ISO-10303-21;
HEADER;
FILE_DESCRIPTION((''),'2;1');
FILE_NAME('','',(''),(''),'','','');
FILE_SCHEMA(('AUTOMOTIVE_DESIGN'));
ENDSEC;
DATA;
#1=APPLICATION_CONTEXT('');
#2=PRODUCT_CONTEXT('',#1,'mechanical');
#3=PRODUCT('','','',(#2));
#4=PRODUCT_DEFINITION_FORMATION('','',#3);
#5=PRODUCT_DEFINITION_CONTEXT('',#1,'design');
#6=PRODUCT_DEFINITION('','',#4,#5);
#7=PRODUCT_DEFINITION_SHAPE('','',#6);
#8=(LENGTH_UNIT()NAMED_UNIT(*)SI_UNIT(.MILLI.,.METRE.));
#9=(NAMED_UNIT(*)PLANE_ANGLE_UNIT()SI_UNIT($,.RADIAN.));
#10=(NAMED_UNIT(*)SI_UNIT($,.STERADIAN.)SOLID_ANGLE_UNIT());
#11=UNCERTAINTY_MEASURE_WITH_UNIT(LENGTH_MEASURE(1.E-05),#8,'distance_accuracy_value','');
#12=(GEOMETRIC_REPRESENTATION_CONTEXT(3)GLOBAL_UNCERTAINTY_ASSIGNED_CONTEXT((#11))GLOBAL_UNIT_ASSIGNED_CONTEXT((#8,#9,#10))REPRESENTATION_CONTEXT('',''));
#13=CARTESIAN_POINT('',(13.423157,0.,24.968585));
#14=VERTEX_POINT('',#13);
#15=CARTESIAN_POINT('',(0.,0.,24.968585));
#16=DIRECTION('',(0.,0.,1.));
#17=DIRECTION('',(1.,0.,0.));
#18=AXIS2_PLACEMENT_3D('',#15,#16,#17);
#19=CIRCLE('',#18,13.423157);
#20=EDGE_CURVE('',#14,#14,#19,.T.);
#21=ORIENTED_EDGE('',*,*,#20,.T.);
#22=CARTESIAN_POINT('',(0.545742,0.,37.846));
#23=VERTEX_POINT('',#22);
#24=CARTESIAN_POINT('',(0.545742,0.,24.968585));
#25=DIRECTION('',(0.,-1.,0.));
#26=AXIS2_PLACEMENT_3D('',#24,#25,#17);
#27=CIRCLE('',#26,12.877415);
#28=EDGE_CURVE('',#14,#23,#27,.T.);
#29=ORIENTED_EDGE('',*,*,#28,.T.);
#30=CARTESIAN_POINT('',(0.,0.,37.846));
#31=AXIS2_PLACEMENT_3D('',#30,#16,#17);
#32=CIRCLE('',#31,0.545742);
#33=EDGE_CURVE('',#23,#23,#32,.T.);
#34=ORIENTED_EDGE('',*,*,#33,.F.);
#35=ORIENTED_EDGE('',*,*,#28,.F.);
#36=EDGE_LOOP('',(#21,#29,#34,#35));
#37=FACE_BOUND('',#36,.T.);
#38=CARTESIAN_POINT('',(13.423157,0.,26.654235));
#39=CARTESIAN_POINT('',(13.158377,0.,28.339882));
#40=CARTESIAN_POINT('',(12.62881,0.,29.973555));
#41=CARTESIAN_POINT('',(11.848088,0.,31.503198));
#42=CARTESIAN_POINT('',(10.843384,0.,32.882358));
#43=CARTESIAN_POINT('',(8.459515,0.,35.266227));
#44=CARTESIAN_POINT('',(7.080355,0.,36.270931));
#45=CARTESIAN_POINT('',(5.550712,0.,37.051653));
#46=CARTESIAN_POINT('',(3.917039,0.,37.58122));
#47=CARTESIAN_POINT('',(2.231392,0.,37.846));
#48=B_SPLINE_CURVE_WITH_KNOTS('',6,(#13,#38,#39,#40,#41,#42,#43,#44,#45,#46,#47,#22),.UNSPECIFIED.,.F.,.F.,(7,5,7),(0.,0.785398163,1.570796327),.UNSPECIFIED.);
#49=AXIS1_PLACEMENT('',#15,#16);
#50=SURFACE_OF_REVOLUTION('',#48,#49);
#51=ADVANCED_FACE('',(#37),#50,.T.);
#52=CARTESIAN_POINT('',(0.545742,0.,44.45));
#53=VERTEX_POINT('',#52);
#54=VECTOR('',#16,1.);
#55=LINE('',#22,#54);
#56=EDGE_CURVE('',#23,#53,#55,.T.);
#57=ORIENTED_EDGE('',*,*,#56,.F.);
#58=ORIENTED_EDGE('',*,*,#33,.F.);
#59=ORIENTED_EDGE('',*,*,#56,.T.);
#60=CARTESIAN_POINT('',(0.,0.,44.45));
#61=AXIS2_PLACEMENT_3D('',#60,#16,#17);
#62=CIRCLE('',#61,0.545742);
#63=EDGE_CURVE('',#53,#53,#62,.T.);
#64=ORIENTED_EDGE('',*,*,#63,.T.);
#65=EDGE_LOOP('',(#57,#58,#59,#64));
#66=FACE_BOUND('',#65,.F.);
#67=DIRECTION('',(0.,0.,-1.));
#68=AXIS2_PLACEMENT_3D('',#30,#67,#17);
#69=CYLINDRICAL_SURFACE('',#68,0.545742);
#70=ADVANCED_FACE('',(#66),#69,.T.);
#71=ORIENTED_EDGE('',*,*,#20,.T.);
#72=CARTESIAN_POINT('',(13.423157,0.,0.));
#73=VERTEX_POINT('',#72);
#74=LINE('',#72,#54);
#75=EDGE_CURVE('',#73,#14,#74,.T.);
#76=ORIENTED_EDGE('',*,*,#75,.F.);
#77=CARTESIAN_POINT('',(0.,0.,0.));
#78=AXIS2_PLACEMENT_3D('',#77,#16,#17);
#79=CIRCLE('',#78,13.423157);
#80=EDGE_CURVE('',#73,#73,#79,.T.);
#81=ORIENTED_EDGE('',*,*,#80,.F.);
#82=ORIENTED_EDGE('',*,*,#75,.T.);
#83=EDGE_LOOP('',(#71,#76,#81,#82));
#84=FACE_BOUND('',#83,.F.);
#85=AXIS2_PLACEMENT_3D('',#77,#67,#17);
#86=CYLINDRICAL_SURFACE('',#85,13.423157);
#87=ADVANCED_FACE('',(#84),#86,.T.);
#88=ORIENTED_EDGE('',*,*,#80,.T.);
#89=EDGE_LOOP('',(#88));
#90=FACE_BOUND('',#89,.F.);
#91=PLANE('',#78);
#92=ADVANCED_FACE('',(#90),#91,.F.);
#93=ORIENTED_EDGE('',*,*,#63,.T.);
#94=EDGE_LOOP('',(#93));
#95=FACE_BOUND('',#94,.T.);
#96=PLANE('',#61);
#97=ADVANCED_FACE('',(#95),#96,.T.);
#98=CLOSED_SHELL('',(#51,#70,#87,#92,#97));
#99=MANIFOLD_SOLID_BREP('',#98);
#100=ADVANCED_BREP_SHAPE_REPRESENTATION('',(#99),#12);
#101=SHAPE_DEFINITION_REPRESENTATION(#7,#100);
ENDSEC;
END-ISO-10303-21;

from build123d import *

# Parameters (mm, degrees)
F0_R      = 13.423157
F1_DEPTH  = 37.846
F2_R      = 12.877415
F1_FACE_R = 0.545742
F3_DEPTH  = 6.604


with BuildPart() as f1:
    # F0 (on Top) → F1 (new body)
    with BuildSketch(Plane.XY):
        Circle(F0_R)
    extrude(amount=F1_DEPTH)

    # F2
    f2_edges = [f1.edges().sort_by_distance(p)[0] for p in [
        (-13.423157, 0, 37.846),
    ]]
    fillet(f2_edges, radius=F2_R)

    # F1_face (on face) → F3 (join)
    with BuildSketch(Plane.XY.offset(37.846)):
        Circle(F1_FACE_R)
    extrude(amount=F3_DEPTH)


solid = f1.part
